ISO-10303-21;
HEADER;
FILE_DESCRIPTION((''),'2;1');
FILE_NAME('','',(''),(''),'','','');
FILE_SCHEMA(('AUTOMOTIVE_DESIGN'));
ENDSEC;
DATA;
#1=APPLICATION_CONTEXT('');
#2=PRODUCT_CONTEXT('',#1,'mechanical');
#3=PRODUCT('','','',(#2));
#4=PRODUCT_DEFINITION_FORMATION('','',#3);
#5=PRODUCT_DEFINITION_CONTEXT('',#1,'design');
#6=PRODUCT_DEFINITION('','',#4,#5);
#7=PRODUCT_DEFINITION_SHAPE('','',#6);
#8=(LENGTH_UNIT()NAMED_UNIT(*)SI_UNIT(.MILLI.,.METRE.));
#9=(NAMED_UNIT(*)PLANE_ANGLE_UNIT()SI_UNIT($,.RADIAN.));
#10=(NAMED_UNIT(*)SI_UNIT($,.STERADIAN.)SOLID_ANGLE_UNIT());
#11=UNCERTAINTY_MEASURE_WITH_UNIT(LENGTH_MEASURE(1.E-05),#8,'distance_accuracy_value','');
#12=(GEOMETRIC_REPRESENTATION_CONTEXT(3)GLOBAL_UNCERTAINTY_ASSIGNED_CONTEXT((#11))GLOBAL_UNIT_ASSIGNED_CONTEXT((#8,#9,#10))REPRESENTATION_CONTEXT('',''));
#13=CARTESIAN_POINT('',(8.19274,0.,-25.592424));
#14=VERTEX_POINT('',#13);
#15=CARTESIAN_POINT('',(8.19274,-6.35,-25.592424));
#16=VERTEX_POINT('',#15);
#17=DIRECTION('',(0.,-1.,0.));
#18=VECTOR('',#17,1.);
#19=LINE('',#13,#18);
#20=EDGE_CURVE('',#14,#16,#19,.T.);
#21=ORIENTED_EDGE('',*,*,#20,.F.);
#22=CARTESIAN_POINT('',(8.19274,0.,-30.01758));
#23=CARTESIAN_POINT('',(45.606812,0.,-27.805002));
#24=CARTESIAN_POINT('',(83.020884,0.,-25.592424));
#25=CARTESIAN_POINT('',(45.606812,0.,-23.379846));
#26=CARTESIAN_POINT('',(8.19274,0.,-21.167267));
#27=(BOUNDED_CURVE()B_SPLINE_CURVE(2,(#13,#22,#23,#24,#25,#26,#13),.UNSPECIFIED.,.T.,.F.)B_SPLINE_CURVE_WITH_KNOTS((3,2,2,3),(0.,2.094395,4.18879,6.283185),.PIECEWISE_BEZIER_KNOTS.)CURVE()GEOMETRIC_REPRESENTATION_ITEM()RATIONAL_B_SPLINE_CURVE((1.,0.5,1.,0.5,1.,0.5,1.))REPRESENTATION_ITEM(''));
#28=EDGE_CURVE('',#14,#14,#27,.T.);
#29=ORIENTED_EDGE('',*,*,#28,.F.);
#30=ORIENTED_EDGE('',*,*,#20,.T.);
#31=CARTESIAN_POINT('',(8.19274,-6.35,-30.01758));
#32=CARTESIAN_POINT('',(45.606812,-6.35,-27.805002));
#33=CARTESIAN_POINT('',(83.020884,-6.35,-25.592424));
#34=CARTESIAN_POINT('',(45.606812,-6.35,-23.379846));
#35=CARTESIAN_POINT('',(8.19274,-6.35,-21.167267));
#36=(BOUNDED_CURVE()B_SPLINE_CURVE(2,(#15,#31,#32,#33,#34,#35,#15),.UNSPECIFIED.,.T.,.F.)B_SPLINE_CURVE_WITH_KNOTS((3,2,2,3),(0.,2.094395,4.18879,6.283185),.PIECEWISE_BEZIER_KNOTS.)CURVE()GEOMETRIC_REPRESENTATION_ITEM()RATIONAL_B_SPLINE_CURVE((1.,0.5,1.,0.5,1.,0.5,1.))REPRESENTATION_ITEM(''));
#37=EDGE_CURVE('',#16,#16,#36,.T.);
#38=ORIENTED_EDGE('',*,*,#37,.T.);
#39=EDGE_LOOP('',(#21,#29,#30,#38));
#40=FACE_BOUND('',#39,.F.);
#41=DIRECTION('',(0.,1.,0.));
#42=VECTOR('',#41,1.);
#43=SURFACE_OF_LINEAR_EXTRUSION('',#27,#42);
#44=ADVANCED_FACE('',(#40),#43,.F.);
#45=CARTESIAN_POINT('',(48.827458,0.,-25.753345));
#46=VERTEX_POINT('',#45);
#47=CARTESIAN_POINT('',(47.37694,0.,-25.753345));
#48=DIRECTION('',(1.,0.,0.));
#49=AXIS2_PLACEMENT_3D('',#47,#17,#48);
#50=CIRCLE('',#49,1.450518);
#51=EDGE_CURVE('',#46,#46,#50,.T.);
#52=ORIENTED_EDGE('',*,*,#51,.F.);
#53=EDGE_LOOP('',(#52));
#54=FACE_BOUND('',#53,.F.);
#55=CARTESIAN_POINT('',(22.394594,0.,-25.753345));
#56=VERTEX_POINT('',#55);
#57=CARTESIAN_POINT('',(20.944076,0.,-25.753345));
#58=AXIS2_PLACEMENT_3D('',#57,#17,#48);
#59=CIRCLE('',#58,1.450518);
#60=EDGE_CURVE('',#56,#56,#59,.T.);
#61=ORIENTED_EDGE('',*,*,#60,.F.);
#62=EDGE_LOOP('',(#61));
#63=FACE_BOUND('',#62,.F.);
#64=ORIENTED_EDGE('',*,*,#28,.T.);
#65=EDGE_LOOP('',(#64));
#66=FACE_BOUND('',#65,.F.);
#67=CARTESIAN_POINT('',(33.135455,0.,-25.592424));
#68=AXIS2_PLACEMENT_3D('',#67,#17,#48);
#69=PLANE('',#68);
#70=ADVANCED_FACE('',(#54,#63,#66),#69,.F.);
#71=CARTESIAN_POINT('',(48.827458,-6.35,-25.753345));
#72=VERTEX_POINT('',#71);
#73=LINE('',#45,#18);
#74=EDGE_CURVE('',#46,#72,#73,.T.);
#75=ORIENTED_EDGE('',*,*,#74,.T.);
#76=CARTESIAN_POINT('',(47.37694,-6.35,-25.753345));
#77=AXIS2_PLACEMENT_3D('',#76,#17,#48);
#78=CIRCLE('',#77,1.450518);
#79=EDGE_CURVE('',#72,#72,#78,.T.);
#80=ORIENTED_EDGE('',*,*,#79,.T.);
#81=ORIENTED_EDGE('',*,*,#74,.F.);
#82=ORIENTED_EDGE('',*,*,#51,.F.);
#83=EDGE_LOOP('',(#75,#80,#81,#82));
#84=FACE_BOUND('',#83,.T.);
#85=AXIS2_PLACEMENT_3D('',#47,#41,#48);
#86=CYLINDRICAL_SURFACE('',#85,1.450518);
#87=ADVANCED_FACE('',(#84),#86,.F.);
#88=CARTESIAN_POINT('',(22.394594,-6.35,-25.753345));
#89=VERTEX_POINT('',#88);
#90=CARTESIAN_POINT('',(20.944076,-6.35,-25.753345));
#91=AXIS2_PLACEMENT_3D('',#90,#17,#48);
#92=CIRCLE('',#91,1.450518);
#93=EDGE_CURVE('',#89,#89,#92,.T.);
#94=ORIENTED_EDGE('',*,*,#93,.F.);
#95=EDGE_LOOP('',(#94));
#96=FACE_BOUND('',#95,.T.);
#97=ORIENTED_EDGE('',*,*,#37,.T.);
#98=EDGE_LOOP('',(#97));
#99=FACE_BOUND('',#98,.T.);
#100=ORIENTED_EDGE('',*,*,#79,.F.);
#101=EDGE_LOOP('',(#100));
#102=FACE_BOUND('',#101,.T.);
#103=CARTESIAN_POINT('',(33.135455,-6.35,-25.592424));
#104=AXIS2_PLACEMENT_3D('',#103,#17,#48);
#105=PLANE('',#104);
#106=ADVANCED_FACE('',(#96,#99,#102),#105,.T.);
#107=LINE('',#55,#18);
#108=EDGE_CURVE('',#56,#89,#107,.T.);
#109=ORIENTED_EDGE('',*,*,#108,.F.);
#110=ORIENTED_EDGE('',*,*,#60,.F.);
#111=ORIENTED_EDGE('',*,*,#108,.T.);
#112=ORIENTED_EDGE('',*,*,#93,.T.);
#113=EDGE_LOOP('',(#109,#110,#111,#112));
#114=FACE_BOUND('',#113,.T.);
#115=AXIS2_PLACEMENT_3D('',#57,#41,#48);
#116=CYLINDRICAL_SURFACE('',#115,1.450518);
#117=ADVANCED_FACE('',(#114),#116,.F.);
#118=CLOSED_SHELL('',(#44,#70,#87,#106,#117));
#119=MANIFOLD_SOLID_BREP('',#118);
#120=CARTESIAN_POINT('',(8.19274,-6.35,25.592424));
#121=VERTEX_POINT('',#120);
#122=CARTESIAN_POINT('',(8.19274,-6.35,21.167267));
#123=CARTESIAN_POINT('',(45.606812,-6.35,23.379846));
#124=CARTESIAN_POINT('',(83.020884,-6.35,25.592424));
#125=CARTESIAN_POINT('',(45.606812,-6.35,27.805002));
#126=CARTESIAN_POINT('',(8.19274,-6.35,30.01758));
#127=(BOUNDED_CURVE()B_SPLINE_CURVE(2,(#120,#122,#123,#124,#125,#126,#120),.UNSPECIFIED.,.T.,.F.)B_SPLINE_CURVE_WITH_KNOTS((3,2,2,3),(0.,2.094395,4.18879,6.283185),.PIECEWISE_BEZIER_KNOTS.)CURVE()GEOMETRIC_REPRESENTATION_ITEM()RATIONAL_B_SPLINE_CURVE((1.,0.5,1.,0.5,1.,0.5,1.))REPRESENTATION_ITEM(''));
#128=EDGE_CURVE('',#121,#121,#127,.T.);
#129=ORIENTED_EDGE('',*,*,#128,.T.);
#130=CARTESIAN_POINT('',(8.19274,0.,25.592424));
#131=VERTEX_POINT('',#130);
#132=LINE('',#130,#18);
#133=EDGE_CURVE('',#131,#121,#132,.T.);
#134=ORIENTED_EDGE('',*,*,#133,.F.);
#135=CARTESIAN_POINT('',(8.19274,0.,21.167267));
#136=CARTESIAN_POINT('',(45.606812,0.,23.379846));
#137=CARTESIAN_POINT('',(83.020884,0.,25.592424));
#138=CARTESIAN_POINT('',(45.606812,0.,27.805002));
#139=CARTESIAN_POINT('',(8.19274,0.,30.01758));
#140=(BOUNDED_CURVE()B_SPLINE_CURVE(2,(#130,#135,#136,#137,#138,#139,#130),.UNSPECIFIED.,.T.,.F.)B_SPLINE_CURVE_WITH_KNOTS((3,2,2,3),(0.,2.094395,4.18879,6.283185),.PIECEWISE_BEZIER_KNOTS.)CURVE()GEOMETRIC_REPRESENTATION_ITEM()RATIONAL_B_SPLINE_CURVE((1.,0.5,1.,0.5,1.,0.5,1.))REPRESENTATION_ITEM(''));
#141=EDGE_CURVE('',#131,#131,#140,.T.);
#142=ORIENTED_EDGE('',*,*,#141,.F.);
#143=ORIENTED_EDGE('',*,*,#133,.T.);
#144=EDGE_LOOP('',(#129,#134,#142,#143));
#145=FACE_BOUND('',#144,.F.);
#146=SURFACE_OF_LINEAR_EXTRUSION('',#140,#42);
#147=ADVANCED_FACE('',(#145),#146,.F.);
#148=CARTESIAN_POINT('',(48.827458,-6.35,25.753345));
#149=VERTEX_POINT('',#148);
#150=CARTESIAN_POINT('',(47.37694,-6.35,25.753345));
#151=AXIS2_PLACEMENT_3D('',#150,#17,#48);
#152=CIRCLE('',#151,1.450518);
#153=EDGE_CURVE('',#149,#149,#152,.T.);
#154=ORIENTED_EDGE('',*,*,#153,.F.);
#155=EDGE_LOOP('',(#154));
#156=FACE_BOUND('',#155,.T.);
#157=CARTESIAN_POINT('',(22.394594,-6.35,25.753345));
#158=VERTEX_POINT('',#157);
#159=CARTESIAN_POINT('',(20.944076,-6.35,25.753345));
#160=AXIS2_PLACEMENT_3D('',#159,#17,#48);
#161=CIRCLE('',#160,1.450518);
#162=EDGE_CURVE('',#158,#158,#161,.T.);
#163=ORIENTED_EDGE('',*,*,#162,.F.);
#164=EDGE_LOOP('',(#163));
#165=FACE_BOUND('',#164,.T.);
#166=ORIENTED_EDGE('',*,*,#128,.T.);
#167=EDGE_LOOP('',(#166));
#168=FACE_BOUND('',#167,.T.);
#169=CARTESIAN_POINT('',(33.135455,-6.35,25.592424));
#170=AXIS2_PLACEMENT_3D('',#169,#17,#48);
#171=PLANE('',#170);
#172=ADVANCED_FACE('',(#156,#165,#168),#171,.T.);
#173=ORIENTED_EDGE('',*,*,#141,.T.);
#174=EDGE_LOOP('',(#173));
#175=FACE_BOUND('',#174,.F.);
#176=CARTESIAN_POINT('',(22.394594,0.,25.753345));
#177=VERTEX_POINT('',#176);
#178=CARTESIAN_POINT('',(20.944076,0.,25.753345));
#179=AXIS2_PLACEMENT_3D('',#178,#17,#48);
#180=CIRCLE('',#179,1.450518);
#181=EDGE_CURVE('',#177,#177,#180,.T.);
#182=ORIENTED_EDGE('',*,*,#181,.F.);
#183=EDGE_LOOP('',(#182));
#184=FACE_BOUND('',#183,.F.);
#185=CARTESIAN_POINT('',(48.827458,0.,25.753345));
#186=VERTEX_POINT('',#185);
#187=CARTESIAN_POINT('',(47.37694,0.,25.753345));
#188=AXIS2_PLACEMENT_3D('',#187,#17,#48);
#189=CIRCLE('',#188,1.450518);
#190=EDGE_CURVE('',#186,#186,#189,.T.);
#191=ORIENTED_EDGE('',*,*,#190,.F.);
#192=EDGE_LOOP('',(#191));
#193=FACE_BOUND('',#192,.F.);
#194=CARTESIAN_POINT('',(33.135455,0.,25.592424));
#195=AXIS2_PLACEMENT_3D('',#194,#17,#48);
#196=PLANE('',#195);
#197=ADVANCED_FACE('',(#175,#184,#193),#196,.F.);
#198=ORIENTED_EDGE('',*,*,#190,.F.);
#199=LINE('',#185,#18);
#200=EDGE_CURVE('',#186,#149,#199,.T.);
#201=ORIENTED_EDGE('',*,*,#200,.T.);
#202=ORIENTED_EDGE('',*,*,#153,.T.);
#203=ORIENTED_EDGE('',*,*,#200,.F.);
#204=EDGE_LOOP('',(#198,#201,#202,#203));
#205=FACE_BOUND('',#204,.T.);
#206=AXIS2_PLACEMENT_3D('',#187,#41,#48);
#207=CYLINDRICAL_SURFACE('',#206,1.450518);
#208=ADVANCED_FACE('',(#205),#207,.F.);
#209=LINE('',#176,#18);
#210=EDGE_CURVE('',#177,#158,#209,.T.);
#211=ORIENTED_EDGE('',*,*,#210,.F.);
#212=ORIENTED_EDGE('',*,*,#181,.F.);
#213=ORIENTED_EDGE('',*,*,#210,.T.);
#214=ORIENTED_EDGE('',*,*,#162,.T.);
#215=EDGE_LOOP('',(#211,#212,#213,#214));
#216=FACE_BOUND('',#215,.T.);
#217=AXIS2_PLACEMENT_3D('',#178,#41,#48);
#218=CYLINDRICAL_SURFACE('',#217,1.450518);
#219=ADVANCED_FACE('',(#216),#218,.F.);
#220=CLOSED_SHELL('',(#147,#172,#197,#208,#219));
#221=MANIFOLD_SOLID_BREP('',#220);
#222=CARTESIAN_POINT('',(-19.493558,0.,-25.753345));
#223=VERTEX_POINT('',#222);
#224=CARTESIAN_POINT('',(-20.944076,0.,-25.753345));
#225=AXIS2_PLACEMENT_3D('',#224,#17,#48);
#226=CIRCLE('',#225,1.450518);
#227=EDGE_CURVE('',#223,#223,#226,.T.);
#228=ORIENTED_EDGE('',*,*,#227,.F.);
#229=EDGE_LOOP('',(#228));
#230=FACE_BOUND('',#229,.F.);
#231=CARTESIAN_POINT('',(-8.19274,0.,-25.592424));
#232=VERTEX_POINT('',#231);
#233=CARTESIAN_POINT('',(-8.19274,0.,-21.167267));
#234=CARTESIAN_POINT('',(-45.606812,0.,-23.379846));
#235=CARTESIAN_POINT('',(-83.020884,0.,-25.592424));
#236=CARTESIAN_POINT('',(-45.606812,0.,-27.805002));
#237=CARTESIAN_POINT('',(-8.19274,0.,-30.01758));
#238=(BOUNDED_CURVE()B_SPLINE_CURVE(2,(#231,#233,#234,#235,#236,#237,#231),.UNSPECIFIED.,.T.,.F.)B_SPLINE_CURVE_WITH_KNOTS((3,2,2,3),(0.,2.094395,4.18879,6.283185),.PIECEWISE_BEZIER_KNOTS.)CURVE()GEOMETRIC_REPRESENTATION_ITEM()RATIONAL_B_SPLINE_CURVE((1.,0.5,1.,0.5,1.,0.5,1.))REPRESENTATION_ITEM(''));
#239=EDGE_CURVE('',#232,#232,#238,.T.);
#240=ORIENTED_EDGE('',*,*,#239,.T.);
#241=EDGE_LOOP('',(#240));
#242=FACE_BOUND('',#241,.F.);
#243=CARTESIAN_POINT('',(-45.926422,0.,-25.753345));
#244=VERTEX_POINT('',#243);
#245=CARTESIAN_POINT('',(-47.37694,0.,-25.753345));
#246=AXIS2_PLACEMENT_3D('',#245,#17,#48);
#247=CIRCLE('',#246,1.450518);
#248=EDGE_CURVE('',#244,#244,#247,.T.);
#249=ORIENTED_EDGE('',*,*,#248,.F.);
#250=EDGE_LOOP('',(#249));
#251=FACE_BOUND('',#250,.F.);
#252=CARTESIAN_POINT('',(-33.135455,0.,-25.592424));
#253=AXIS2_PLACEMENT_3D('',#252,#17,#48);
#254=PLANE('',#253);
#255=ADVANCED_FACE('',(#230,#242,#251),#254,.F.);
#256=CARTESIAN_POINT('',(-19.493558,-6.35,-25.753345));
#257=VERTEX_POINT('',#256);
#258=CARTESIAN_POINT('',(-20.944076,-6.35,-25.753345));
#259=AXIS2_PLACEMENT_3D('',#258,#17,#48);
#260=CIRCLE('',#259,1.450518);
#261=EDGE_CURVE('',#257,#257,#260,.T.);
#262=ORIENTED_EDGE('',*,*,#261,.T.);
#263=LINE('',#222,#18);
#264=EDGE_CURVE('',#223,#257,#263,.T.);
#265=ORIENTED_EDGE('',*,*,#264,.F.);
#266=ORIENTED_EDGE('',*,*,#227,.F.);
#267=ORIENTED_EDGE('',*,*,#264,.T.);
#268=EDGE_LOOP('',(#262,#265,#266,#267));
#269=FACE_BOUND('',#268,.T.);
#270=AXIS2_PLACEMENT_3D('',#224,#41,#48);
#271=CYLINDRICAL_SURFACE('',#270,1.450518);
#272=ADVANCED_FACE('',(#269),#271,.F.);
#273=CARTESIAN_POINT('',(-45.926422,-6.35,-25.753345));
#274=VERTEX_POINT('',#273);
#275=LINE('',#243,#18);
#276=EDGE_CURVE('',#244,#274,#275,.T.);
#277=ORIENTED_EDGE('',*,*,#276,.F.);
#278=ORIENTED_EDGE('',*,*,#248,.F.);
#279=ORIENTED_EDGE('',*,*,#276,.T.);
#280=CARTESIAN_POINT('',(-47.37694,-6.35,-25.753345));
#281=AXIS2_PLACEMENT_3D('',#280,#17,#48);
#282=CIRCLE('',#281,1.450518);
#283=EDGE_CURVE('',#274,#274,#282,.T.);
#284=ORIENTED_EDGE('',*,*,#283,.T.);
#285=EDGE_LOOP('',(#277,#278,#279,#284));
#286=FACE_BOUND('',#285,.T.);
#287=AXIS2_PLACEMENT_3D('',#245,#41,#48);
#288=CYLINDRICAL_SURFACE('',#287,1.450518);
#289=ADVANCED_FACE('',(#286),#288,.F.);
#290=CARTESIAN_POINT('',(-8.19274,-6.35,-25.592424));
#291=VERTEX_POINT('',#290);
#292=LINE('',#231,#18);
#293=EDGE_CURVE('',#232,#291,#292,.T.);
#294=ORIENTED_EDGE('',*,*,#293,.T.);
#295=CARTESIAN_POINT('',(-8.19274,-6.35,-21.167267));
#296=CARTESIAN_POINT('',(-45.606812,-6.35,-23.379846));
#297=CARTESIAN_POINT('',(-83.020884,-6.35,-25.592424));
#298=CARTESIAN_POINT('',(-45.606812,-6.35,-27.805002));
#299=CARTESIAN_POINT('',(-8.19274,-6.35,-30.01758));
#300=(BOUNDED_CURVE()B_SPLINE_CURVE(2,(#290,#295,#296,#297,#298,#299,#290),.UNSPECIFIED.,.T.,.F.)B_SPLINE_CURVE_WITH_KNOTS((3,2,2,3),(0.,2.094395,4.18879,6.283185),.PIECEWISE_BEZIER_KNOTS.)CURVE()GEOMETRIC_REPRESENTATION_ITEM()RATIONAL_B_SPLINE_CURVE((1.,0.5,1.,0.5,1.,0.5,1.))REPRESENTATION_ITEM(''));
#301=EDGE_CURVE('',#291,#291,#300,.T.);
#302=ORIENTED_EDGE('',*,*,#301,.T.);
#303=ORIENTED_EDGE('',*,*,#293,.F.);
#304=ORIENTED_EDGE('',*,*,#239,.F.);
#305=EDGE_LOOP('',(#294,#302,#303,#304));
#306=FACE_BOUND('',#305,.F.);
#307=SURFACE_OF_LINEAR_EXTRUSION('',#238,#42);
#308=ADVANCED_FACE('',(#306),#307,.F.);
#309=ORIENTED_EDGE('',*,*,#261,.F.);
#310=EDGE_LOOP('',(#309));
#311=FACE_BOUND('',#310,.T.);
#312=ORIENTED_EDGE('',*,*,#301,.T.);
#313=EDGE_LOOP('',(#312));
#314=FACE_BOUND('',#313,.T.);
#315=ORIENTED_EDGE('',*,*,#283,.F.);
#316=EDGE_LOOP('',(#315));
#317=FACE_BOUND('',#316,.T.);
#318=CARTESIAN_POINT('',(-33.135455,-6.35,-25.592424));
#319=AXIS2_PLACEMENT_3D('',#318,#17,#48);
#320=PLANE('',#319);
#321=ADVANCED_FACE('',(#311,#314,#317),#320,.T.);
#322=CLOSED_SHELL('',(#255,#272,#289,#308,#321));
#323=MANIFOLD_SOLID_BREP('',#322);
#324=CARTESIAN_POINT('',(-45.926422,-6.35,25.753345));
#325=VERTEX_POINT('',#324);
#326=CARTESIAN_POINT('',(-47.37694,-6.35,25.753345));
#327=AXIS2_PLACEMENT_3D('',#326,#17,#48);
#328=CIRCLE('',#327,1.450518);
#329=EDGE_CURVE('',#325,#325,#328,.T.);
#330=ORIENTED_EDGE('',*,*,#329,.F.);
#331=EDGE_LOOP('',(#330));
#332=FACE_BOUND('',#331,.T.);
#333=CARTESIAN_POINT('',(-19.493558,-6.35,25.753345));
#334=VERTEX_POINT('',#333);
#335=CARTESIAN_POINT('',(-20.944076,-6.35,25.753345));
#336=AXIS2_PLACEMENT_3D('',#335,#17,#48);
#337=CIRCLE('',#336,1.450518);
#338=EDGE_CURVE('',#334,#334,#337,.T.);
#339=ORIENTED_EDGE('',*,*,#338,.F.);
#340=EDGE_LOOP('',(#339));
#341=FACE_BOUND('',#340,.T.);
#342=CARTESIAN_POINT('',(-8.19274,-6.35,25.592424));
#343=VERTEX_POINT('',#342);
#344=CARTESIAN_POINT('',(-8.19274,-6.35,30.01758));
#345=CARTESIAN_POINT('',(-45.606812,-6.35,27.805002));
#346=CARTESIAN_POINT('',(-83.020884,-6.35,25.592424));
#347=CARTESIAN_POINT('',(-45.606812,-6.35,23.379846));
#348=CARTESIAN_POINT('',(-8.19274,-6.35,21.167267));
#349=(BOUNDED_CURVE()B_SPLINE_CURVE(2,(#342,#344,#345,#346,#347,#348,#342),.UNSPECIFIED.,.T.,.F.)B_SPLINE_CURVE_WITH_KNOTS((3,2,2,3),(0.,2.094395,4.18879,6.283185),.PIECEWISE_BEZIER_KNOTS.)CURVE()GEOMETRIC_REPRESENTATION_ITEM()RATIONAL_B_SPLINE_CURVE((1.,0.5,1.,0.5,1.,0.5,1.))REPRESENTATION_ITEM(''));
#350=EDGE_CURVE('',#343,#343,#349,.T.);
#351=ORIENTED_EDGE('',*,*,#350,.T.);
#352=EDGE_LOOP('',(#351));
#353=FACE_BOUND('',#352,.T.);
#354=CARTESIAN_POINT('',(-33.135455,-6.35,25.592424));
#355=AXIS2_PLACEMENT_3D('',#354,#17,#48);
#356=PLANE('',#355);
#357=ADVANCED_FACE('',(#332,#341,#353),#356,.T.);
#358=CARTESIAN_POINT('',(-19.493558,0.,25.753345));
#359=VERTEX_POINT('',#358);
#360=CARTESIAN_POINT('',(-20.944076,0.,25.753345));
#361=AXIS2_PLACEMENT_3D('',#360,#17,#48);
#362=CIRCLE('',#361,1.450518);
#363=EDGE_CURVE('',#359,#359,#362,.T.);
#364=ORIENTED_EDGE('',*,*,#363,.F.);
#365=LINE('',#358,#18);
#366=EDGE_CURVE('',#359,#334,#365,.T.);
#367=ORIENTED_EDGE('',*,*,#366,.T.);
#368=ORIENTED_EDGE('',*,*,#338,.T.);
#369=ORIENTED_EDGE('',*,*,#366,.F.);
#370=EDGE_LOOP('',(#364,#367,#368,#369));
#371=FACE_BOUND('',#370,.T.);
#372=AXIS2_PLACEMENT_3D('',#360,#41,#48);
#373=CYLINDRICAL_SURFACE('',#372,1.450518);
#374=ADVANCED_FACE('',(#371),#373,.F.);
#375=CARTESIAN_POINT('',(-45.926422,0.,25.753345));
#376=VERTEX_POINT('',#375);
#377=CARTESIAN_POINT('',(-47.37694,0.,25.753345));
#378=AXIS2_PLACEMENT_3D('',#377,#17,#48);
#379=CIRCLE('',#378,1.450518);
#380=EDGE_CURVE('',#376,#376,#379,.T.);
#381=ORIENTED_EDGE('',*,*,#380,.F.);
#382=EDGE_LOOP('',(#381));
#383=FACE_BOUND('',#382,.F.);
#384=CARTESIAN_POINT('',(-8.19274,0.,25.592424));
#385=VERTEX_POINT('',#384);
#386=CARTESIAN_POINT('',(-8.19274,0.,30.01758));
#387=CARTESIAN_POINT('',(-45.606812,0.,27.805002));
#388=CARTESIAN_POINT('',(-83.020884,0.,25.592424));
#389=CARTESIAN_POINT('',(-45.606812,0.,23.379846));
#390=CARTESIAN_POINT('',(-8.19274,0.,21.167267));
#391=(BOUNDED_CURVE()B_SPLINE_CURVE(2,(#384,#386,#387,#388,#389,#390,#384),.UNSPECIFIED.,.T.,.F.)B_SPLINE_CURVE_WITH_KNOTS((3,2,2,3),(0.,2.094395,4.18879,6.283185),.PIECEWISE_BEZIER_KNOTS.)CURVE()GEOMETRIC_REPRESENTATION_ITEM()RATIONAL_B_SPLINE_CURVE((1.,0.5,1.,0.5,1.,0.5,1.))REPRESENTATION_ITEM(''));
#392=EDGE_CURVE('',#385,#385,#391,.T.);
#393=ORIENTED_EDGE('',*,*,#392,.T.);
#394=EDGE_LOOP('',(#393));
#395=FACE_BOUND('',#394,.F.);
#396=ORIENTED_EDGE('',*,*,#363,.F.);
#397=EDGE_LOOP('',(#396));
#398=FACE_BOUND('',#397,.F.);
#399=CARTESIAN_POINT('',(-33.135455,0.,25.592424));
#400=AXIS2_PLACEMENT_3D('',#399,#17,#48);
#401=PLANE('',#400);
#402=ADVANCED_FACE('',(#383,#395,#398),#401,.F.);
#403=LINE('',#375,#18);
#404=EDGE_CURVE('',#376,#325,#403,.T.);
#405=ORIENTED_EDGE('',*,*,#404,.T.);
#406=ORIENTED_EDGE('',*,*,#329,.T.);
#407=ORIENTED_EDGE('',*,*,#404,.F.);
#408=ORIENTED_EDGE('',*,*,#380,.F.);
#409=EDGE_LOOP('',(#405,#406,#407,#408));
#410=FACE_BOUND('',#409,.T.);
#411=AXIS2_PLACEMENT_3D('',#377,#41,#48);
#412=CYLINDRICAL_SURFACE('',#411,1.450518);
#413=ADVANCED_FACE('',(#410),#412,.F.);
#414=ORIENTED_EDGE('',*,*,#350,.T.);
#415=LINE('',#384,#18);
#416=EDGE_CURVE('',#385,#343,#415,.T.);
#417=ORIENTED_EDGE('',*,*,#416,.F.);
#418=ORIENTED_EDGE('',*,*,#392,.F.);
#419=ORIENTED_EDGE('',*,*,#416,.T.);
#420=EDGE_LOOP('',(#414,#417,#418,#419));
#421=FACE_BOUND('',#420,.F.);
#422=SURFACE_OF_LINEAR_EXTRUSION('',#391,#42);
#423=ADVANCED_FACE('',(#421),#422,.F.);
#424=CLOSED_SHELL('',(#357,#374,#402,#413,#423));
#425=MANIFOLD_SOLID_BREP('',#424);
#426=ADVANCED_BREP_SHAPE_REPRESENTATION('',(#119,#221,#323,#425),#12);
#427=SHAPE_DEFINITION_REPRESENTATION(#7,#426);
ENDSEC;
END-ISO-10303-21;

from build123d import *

# Parameters (mm, degrees)
F0_R     = 1.450518
F1_DEPTH = 6.35


with BuildPart() as f1:
    # F0 (on Front) → F1 (new body)
    with BuildSketch(Plane.XZ):
        with BuildLine():
            add(Edge.make_bspline(
                [(-8.19274, 25.592424), (-8.19274, 30.01758), (-45.606812, 27.805002), (-83.020884, 25.592424), (-45.606812, 23.379846), (-8.19274, 21.167267), (-8.19274, 25.592424)],
                knots=[0, 0, 0, 2.094395, 2.094395, 4.18879, 4.18879, 6.283185, 6.283185, 6.283185], degree=2, weights=[1, 0.5, 1, 0.5, 1, 0.5, 1]))
        make_face()
        with Locations((-47.37694, 25.753345)):
            Circle(F0_R, mode=Mode.SUBTRACT)
        with Locations((-20.944076, 25.753345)):
            Circle(F0_R, mode=Mode.SUBTRACT)
        with BuildLine():
            add(Edge.make_bspline(
                [(8.19274, 25.592424), (8.19274, 21.167267), (45.606812, 23.379846), (83.020884, 25.592424), (45.606812, 27.805002), (8.19274, 30.01758), (8.19274, 25.592424)],
                knots=[0, 0, 0, 2.094395, 2.094395, 4.18879, 4.18879, 6.283185, 6.283185, 6.283185], degree=2, weights=[1, 0.5, 1, 0.5, 1, 0.5, 1]))
        make_face()
        with Locations((20.944076, 25.753345)):
            Circle(F0_R, mode=Mode.SUBTRACT)
        with Locations((47.37694, 25.753345)):
            Circle(F0_R, mode=Mode.SUBTRACT)
        with BuildLine():
            add(Edge.make_bspline(
                [(-8.19274, -25.592424), (-8.19274, -21.167267), (-45.606812, -23.379846), (-83.020884, -25.592424), (-45.606812, -27.805002), (-8.19274, -30.01758), (-8.19274, -25.592424)],
                knots=[0, 0, 0, 2.094395, 2.094395, 4.18879, 4.18879, 6.283185, 6.283185, 6.283185], degree=2, weights=[1, 0.5, 1, 0.5, 1, 0.5, 1]))
        make_face()
        with Locations((-47.37694, -25.753345)):
            Circle(F0_R, mode=Mode.SUBTRACT)
        with Locations((-20.944076, -25.753345)):
            Circle(F0_R, mode=Mode.SUBTRACT)
        with BuildLine():
            add(Edge.make_bspline(
                [(8.19274, -25.592424), (8.19274, -30.01758), (45.606812, -27.805002), (83.020884, -25.592424), (45.606812, -23.379846), (8.19274, -21.167267), (8.19274, -25.592424)],
                knots=[0, 0, 0, 2.094395, 2.094395, 4.18879, 4.18879, 6.283185, 6.283185, 6.283185], degree=2, weights=[1, 0.5, 1, 0.5, 1, 0.5, 1]))
        make_face()
        with Locations((20.944076, -25.753345)):
            Circle(F0_R, mode=Mode.SUBTRACT)
        with Locations((47.37694, -25.753345)):
            Circle(F0_R, mode=Mode.SUBTRACT)
    extrude(amount=F1_DEPTH)


solid = f1.part
